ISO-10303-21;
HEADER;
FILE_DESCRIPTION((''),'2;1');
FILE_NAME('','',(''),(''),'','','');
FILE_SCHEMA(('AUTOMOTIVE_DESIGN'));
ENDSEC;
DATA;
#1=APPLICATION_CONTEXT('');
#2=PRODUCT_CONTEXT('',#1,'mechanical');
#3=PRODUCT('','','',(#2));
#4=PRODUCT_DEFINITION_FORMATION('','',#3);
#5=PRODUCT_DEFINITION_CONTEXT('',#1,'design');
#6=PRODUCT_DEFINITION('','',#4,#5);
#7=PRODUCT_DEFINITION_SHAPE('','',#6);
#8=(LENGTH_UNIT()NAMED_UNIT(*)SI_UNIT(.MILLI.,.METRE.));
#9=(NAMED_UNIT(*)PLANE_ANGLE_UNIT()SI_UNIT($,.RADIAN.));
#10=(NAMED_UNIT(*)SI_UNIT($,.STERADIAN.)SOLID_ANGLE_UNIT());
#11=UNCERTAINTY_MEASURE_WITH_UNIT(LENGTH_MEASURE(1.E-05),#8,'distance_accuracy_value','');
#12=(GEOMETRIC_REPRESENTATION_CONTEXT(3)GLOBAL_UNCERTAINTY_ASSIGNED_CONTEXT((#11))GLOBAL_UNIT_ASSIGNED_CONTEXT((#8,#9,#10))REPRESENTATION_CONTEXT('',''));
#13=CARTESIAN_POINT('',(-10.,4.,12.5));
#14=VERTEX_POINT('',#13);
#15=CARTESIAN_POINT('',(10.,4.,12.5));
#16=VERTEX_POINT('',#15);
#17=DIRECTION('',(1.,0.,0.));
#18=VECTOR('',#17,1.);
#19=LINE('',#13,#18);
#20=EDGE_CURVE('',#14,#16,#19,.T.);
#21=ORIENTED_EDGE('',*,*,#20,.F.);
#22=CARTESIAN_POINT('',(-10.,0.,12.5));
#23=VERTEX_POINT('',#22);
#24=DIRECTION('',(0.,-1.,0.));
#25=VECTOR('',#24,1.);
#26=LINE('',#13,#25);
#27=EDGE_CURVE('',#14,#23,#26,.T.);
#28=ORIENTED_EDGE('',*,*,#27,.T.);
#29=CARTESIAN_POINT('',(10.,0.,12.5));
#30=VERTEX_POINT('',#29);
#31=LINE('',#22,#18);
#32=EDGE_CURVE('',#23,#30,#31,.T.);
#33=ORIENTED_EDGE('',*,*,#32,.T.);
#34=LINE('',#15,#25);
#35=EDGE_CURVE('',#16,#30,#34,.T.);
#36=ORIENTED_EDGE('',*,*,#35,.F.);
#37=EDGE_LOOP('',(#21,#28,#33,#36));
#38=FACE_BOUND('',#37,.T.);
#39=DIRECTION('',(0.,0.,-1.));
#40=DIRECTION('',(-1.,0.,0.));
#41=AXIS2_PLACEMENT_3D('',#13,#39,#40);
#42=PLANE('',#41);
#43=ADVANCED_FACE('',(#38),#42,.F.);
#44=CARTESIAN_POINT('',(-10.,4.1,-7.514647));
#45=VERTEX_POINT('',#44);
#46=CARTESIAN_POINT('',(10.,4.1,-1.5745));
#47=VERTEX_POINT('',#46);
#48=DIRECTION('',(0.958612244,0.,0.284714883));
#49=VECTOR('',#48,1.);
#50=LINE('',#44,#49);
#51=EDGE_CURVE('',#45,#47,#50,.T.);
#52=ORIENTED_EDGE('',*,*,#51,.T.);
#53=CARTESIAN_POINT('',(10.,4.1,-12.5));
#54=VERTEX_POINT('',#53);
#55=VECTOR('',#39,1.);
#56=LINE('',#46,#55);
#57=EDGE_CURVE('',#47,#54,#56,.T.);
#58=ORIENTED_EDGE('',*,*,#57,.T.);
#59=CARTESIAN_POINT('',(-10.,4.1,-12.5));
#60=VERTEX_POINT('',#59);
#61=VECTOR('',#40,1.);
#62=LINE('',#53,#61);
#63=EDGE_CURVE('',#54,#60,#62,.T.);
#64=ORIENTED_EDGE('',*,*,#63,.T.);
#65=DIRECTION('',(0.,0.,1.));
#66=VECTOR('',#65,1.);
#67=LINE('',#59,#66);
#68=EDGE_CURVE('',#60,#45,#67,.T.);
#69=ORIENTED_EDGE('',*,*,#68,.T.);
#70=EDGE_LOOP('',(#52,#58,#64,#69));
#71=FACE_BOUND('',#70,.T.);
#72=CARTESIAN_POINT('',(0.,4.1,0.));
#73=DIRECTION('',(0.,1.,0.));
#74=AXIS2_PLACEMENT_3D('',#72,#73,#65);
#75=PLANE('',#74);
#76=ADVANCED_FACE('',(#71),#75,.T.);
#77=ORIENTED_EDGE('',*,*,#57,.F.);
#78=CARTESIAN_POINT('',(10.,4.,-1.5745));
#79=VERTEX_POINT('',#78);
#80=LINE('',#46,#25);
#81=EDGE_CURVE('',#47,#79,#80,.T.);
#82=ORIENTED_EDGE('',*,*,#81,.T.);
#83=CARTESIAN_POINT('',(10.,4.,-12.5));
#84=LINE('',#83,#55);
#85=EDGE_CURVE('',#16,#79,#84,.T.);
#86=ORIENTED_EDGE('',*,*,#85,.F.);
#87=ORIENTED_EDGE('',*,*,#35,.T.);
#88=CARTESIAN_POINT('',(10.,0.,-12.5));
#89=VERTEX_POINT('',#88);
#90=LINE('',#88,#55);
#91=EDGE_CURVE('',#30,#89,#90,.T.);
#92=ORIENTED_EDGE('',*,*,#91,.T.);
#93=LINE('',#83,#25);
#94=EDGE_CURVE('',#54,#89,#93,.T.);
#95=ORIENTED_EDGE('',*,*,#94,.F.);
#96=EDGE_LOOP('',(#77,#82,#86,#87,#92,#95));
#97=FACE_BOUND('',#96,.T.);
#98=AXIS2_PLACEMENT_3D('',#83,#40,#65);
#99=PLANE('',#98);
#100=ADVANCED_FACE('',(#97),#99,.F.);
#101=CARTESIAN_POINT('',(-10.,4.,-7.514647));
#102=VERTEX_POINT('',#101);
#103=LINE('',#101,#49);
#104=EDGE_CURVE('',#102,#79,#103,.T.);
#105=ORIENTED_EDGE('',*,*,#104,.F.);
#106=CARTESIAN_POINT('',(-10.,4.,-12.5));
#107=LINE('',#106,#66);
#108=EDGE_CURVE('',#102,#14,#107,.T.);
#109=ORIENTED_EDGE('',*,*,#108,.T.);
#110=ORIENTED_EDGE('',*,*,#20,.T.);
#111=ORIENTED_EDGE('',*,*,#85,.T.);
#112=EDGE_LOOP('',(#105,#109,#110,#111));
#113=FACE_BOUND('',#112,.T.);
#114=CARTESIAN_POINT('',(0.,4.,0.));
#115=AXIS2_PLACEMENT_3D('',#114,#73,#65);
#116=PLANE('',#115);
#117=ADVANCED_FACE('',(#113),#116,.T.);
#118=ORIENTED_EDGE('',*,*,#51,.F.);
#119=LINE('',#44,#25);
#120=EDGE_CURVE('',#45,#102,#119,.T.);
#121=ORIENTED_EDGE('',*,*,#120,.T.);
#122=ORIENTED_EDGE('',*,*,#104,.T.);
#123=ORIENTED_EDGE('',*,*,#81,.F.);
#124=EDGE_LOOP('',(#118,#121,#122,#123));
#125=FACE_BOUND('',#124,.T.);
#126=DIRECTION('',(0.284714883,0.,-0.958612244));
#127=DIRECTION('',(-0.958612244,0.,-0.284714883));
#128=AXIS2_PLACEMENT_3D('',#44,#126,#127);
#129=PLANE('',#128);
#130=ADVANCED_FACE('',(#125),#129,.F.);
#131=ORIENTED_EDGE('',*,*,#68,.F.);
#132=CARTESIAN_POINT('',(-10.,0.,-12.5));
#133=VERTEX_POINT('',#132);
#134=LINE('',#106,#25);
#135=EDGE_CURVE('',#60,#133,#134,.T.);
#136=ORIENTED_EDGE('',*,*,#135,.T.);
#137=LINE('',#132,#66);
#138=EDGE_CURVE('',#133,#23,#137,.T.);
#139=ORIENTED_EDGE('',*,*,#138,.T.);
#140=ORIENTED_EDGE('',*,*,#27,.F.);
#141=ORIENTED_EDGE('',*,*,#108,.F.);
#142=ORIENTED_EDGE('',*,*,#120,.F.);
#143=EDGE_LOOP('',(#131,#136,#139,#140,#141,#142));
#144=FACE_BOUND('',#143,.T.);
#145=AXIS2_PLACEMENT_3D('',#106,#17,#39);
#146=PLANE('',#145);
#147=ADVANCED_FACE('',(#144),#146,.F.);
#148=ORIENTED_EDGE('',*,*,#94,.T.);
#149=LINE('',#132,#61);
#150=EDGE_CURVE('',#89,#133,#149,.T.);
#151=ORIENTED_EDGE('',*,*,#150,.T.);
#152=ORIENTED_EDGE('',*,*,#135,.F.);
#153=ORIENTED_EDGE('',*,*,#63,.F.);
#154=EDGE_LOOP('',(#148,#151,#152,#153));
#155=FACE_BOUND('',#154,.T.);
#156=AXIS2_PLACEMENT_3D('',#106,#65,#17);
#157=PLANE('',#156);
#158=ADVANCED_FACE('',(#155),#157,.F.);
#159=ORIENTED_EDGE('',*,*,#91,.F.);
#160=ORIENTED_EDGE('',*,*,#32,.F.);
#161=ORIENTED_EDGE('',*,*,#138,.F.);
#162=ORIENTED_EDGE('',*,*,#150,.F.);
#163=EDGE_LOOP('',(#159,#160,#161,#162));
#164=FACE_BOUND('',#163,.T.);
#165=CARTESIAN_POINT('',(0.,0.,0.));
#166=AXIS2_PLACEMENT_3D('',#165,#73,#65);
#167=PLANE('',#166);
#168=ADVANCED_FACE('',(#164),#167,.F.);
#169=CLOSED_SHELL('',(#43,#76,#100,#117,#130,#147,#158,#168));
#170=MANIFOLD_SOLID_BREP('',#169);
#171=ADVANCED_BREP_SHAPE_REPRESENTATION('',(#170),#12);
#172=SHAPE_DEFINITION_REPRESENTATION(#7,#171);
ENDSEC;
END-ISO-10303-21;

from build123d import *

# Parameters (mm, degrees)
SKETCH_1_W      = 20
SKETCH_1_H      = 25
EXTRUDE_1_DEPTH = 4
EXTRUDE_2_DEPTH = 0.1


with BuildPart() as part:
    # Эскиз1 → Бобышка-Вытянуть1 (new body)
    with BuildSketch(Plane(origin=(0, 0, 0), x_dir=(1, 0, 0), z_dir=(0, 1, 0))):
        Rectangle(SKETCH_1_W, SKETCH_1_H)
    extrude(amount=EXTRUDE_1_DEPTH)

    # Эскиз2 → Бобышка-Вытянуть2 (add)
    with BuildSketch(Plane(origin=(0, 4, 0), x_dir=(1, 0, 0), z_dir=(0, 1, 0))):
        Polygon((-10, 12.5), (-10, 7.514646674), (10, 1.574499656), (10, 12.5), align=None)
    extrude(amount=EXTRUDE_2_DEPTH)


solid = part.part
